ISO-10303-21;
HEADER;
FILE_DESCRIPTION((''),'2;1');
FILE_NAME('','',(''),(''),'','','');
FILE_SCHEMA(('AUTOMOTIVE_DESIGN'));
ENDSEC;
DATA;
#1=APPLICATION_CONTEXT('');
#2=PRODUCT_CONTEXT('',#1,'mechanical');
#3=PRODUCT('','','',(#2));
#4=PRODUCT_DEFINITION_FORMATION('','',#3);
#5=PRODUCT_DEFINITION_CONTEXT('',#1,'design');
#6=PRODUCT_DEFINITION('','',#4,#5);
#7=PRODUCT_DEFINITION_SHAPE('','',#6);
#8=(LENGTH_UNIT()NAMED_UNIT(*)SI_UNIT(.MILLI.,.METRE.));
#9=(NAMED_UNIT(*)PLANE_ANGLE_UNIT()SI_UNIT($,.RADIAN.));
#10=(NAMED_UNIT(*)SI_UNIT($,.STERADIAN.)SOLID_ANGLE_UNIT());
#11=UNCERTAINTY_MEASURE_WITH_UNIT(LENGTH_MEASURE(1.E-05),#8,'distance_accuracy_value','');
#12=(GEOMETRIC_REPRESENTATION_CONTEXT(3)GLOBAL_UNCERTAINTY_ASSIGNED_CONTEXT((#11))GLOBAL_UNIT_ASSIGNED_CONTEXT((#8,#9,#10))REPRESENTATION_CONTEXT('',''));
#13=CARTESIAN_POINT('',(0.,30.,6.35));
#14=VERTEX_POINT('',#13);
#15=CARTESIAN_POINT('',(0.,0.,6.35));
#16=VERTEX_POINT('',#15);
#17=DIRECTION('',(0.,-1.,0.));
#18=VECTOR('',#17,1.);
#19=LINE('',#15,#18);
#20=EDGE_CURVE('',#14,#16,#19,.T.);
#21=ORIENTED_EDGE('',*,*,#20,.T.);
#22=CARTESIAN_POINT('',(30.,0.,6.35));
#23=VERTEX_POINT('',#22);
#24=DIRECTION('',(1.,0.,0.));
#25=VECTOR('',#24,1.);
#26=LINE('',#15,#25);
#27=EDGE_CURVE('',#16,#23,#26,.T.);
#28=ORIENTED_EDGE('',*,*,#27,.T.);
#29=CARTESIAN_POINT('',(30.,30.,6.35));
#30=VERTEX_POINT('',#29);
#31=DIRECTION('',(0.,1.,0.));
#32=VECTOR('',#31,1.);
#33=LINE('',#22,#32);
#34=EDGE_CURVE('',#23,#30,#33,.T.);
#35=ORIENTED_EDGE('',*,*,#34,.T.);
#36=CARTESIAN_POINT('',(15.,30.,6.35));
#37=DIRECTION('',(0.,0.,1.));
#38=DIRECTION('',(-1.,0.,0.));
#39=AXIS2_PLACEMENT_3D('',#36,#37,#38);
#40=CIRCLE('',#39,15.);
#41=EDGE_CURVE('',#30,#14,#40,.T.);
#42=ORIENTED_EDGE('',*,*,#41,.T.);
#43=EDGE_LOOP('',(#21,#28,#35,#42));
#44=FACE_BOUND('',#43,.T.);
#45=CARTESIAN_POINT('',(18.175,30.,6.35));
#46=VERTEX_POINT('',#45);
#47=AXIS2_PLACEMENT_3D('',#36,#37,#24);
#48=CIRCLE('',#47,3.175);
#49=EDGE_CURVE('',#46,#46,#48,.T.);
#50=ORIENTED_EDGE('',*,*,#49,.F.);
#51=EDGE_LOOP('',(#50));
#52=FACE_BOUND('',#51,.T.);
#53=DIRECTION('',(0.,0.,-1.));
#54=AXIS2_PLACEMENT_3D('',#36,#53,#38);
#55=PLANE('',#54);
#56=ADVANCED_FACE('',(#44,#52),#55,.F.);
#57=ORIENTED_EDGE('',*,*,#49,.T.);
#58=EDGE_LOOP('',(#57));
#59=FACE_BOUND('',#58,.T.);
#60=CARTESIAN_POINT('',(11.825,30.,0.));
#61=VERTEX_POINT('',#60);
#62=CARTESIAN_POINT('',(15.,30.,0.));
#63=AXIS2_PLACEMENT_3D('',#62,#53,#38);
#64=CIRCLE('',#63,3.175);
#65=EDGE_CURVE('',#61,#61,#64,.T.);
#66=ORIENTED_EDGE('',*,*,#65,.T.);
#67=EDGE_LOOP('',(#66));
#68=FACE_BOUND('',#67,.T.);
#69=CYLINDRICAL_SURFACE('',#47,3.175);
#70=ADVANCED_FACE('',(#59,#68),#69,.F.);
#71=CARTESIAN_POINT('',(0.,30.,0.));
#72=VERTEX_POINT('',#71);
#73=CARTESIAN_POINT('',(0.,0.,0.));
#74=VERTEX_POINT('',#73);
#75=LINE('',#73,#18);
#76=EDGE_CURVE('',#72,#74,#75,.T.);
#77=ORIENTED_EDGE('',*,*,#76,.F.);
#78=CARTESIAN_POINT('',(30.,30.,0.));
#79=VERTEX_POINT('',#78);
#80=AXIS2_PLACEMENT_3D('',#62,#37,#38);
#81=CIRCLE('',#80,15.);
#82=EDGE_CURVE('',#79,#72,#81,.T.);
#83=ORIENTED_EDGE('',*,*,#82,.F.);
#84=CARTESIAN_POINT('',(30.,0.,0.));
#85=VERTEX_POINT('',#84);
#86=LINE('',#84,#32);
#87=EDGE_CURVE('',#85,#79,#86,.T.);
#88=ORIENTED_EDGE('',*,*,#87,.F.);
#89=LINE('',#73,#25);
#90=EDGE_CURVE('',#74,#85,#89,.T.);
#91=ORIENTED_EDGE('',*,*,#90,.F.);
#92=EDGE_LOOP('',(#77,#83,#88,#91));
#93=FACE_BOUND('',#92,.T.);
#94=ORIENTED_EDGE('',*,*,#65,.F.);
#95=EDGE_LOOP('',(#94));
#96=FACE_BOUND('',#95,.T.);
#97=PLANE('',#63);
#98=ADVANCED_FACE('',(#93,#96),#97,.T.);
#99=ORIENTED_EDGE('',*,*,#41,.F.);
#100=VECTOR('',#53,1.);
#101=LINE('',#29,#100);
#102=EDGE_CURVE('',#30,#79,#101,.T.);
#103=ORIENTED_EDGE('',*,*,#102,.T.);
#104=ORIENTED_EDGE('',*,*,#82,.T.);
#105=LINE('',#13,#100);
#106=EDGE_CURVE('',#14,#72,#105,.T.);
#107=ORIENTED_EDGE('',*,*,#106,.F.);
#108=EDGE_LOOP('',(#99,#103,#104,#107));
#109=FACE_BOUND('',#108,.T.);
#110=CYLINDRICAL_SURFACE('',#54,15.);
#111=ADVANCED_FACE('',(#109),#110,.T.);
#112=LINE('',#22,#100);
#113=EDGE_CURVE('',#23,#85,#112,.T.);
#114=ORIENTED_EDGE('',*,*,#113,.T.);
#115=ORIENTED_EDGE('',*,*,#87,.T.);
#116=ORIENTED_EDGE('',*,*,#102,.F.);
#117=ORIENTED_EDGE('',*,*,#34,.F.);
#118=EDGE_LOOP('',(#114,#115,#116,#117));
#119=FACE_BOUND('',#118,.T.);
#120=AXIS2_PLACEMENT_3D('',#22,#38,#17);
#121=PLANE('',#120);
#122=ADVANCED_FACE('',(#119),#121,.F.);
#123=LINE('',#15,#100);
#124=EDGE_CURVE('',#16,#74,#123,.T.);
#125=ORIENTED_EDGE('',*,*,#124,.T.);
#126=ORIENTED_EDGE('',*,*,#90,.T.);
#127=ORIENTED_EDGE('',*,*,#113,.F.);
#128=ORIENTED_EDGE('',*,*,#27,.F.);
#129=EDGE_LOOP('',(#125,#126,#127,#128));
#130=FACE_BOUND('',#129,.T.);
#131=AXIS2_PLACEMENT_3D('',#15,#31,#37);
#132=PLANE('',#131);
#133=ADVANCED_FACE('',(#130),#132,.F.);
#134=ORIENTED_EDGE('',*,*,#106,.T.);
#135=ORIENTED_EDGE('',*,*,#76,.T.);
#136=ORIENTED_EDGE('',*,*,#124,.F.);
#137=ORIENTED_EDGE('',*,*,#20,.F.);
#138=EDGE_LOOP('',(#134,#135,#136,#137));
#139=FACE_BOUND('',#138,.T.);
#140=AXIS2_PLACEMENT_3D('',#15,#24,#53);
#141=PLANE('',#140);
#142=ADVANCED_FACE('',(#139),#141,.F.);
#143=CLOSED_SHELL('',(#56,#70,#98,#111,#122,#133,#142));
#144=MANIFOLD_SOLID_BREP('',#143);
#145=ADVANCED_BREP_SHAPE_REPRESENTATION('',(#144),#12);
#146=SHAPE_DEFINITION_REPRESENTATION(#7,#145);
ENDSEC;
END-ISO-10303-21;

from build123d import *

# Parameters (mm, degrees)
MAIN_SHAPE_DEPTH                = 6.35
F_1_4_0_25_DIAMETER_HOLE1_D     = 6.35
F_1_4_0_25_DIAMETER_HOLE1_DEPTH = 18
F_1_4_0_25_DIAMETER_HOLE1_TIP   = 1.907732465


with BuildPart() as part:
    # Sketch1 → main shape (new body)
    with BuildSketch(Plane.XY):
        with BuildLine():
            Line((0, 0), (30, 0))
            Line((30, 0), (30, 30))
            ThreePointArc((30, 30), (15, 45), (0, 30))
            Line((0, 30), (0, 0))
        make_face()
    extrude(amount=MAIN_SHAPE_DEPTH)

    # 1/4 (0.25) Diameter Hole1
    with Locations(Plane.XY.offset(6.35)):
        with Locations((15, 30)):
            Hole(F_1_4_0_25_DIAMETER_HOLE1_D / 2, depth=F_1_4_0_25_DIAMETER_HOLE1_DEPTH)
            with Locations((0, 0, -(F_1_4_0_25_DIAMETER_HOLE1_DEPTH + F_1_4_0_25_DIAMETER_HOLE1_TIP / 2))):  # 118° drill point
                Cone(0, F_1_4_0_25_DIAMETER_HOLE1_D / 2, F_1_4_0_25_DIAMETER_HOLE1_TIP, mode=Mode.SUBTRACT)


solid = part.part
